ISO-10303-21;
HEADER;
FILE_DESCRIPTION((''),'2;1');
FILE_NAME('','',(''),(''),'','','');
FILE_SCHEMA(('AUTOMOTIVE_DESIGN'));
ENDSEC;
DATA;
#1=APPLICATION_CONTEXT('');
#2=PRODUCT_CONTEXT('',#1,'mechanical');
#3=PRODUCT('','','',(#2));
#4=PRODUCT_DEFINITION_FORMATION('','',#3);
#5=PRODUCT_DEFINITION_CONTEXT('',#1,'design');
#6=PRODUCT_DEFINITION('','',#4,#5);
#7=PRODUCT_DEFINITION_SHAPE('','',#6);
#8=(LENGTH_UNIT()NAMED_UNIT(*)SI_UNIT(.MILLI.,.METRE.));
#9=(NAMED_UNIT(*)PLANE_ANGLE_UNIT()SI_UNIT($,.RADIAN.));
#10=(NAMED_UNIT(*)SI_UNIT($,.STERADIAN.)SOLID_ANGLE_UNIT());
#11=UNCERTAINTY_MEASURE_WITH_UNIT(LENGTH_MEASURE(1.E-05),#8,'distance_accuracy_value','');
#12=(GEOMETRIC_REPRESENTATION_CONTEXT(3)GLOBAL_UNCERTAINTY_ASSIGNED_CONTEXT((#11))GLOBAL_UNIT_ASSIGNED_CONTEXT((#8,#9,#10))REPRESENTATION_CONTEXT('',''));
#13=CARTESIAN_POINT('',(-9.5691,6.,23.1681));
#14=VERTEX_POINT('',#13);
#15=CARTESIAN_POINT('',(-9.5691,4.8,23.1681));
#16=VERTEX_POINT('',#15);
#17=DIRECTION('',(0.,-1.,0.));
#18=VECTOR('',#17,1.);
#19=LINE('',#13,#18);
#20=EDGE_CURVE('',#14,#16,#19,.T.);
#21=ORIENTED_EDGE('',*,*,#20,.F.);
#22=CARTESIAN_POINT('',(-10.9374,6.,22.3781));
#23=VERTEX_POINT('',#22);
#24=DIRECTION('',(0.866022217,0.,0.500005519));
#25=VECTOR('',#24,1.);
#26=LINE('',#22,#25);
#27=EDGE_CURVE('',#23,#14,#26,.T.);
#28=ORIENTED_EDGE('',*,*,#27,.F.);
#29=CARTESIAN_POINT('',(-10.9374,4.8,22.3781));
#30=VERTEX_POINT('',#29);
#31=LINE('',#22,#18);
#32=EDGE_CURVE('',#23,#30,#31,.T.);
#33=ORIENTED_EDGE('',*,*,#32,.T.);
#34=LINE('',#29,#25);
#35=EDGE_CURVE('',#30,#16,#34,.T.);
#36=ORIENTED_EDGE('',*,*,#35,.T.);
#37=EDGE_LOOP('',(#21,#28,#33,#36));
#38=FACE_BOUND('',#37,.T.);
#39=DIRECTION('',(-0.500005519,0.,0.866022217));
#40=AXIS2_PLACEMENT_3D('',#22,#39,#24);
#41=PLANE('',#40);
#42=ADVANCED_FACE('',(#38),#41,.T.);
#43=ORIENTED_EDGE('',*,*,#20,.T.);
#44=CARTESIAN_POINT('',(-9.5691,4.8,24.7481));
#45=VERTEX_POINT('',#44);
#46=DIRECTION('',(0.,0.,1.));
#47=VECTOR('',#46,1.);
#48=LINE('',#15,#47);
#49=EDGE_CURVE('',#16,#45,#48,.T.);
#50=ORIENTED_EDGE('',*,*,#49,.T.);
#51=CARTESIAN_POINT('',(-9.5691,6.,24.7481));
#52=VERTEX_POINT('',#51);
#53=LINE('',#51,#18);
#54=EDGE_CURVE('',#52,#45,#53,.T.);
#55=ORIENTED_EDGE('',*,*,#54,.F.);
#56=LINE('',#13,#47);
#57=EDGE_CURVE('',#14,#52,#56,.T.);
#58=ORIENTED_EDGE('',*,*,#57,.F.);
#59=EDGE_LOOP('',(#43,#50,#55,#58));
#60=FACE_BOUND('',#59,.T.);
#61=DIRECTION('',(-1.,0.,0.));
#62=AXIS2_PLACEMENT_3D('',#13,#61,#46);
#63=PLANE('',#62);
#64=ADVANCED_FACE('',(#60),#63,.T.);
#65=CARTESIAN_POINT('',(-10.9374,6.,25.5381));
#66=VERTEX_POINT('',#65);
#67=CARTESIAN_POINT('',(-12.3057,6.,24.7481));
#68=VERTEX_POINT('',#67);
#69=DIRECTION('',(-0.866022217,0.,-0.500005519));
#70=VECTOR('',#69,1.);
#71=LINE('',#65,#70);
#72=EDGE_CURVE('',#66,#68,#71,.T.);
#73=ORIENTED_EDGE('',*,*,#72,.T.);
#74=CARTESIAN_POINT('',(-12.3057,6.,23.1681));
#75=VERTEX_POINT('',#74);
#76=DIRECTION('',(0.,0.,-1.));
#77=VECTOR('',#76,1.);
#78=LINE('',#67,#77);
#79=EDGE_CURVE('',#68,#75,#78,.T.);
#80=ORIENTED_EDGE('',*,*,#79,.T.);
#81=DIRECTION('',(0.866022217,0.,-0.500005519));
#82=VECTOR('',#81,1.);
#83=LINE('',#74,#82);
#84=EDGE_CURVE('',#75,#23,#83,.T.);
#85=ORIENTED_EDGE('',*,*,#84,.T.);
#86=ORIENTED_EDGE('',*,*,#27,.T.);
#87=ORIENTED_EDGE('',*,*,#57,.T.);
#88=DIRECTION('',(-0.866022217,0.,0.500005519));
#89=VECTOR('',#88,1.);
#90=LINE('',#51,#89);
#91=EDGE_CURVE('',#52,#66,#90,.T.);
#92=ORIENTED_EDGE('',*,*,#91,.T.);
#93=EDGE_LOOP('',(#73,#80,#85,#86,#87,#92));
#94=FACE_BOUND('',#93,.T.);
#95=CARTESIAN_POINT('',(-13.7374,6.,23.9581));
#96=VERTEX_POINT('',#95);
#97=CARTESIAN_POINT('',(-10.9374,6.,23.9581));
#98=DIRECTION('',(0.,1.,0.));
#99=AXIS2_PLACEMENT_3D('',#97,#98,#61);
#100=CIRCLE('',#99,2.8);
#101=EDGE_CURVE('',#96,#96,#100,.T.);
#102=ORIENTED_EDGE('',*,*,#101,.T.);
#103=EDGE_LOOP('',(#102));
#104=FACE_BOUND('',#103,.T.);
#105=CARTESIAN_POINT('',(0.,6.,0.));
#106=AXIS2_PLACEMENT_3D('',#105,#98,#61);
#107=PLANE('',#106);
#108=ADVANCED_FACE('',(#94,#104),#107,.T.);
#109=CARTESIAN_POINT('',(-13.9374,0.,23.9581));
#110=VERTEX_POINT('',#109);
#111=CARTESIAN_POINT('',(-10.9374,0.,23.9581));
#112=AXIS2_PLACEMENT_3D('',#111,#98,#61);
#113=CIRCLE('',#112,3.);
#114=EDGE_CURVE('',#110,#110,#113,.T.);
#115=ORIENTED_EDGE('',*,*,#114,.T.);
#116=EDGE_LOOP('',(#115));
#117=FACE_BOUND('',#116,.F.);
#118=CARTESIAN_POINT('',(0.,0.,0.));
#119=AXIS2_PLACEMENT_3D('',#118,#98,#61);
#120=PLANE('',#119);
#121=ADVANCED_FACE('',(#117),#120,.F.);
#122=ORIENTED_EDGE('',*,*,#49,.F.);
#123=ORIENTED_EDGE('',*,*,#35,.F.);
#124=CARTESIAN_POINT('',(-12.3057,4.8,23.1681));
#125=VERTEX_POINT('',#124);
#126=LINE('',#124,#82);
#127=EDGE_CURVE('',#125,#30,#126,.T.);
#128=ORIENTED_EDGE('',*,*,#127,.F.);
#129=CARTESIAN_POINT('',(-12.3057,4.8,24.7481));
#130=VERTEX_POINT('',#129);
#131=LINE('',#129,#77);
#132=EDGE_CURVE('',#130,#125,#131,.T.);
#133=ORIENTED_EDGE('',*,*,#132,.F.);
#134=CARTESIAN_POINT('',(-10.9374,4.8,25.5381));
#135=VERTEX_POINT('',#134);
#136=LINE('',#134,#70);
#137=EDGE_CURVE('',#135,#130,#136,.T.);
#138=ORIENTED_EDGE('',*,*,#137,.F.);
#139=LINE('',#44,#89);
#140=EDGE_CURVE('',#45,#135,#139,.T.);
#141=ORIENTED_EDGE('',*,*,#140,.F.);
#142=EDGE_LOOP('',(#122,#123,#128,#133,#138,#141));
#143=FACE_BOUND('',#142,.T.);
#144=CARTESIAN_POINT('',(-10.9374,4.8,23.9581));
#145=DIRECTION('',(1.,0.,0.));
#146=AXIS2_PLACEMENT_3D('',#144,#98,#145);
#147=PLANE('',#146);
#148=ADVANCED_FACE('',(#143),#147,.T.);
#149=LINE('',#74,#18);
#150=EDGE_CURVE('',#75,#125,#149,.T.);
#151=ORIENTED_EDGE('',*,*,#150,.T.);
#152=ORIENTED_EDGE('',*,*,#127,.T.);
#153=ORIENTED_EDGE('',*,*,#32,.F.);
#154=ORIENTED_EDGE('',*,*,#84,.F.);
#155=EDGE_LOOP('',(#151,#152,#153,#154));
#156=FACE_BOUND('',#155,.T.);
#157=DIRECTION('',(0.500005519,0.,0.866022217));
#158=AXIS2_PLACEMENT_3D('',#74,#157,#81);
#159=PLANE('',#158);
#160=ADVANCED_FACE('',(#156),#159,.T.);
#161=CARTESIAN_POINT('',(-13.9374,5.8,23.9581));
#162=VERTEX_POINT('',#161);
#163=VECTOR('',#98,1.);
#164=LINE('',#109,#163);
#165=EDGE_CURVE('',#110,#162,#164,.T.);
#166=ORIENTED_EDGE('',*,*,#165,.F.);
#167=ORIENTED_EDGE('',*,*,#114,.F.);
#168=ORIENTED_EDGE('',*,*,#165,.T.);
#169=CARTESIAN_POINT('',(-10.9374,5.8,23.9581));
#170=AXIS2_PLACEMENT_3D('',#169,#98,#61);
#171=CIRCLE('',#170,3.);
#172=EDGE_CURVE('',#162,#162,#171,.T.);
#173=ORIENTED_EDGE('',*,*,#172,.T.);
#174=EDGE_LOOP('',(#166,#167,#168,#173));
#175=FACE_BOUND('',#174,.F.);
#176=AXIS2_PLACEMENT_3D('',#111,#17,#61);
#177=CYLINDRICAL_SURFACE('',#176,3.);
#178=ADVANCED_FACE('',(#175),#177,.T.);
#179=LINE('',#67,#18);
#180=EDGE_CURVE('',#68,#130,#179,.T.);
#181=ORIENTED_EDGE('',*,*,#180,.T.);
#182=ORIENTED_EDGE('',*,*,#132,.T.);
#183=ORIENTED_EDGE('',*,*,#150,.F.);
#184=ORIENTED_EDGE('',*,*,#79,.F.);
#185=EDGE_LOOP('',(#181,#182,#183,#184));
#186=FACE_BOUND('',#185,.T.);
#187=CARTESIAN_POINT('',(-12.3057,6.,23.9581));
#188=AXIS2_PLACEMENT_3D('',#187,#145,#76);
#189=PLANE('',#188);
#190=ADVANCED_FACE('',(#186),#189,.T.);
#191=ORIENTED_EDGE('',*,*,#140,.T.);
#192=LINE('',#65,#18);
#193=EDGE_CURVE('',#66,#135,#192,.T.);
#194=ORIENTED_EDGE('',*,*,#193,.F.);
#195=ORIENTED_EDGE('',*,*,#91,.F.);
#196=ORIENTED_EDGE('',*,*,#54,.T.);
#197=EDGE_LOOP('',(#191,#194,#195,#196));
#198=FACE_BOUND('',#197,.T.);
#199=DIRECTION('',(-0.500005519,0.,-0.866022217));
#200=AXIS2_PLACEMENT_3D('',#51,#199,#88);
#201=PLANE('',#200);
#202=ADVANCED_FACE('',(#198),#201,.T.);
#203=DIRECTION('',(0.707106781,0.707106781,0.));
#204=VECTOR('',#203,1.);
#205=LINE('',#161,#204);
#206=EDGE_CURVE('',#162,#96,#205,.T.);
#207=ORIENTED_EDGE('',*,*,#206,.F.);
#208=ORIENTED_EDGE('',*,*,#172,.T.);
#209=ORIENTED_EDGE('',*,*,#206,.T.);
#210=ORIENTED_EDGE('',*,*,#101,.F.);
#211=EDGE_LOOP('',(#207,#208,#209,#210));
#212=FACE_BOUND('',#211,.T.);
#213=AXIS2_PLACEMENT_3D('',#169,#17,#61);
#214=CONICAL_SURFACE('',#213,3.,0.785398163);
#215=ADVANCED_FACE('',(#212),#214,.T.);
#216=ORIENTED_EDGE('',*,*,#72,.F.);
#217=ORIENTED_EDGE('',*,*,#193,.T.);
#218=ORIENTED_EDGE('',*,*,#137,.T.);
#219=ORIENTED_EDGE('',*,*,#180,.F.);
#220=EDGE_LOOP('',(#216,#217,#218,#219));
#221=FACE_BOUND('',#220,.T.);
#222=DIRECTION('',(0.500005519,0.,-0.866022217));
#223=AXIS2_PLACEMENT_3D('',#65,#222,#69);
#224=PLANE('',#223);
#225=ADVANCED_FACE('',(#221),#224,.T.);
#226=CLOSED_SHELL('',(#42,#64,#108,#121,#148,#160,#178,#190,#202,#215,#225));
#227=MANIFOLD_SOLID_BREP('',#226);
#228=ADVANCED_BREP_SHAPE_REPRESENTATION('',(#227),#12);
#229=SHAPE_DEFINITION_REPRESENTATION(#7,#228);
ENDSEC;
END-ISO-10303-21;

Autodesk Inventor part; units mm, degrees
ref_plane "YZ Plane" through (0, 0, 0) normal (1, 0, 0) x (0, 1, 0)
ref_plane "XZ Plane" through (0, 0, 0) normal (0, 1, 0) x (-1, 0, 0)
ref_plane "XY Plane" through (0, 0, 0) normal (0, 0, 1) x (1, 0, 0)
sketch "Boceto1" plane through (0, 0, 0) normal (0, 1, 0) x (-1, 0, 0)
  circle A0 centre (10.9374, 23.9581) radius 3
  point P0 (0, 0)
  dimension "d0" = 6
extrude "Extrusión1" add sketch "Boceto1" along normal blind 6
sketch "Boceto2" plane through (-10.9374, 6, 23.9581) normal (0, 1, 0) x (1, 0, 0)
  line L0 (0, 1.58) -> (1.3683, 0.79)
  line L1 (1.3683, 0.79) -> (1.3683, -0.79)
  line L2 (1.3683, -0.79) -> (0, -1.58)
  line L3 (0, -1.58) -> (-1.3683, -0.79)
  line L4 (-1.3683, -0.79) -> (-1.3683, 0.79)
  line L5 (-1.3683, 0.79) -> (0, 1.58)
  circle A0 centre (0, 0) radius 3 projected
  line L6 (-3, 0) -> (0, 0)
  point P0 (10.9374, 23.9581)
  dimension "d11" = 1.58
  dimension "d12" = 1.58
extrude "Extrusión2" cut sketch "Boceto2" against normal blind 1.2 contours L0 L1 L2 L3 L4 L5
thread "Thread2" size "M6x0.5" class "6g" standard "ISO Metric profile" length 7
chamfer "Chamfer1" distance 0.2 angle 45 1 edges at (-7.9374, 6, 23.9581)
properties part number "Tornillo Allen gusano M6 para Motor"
